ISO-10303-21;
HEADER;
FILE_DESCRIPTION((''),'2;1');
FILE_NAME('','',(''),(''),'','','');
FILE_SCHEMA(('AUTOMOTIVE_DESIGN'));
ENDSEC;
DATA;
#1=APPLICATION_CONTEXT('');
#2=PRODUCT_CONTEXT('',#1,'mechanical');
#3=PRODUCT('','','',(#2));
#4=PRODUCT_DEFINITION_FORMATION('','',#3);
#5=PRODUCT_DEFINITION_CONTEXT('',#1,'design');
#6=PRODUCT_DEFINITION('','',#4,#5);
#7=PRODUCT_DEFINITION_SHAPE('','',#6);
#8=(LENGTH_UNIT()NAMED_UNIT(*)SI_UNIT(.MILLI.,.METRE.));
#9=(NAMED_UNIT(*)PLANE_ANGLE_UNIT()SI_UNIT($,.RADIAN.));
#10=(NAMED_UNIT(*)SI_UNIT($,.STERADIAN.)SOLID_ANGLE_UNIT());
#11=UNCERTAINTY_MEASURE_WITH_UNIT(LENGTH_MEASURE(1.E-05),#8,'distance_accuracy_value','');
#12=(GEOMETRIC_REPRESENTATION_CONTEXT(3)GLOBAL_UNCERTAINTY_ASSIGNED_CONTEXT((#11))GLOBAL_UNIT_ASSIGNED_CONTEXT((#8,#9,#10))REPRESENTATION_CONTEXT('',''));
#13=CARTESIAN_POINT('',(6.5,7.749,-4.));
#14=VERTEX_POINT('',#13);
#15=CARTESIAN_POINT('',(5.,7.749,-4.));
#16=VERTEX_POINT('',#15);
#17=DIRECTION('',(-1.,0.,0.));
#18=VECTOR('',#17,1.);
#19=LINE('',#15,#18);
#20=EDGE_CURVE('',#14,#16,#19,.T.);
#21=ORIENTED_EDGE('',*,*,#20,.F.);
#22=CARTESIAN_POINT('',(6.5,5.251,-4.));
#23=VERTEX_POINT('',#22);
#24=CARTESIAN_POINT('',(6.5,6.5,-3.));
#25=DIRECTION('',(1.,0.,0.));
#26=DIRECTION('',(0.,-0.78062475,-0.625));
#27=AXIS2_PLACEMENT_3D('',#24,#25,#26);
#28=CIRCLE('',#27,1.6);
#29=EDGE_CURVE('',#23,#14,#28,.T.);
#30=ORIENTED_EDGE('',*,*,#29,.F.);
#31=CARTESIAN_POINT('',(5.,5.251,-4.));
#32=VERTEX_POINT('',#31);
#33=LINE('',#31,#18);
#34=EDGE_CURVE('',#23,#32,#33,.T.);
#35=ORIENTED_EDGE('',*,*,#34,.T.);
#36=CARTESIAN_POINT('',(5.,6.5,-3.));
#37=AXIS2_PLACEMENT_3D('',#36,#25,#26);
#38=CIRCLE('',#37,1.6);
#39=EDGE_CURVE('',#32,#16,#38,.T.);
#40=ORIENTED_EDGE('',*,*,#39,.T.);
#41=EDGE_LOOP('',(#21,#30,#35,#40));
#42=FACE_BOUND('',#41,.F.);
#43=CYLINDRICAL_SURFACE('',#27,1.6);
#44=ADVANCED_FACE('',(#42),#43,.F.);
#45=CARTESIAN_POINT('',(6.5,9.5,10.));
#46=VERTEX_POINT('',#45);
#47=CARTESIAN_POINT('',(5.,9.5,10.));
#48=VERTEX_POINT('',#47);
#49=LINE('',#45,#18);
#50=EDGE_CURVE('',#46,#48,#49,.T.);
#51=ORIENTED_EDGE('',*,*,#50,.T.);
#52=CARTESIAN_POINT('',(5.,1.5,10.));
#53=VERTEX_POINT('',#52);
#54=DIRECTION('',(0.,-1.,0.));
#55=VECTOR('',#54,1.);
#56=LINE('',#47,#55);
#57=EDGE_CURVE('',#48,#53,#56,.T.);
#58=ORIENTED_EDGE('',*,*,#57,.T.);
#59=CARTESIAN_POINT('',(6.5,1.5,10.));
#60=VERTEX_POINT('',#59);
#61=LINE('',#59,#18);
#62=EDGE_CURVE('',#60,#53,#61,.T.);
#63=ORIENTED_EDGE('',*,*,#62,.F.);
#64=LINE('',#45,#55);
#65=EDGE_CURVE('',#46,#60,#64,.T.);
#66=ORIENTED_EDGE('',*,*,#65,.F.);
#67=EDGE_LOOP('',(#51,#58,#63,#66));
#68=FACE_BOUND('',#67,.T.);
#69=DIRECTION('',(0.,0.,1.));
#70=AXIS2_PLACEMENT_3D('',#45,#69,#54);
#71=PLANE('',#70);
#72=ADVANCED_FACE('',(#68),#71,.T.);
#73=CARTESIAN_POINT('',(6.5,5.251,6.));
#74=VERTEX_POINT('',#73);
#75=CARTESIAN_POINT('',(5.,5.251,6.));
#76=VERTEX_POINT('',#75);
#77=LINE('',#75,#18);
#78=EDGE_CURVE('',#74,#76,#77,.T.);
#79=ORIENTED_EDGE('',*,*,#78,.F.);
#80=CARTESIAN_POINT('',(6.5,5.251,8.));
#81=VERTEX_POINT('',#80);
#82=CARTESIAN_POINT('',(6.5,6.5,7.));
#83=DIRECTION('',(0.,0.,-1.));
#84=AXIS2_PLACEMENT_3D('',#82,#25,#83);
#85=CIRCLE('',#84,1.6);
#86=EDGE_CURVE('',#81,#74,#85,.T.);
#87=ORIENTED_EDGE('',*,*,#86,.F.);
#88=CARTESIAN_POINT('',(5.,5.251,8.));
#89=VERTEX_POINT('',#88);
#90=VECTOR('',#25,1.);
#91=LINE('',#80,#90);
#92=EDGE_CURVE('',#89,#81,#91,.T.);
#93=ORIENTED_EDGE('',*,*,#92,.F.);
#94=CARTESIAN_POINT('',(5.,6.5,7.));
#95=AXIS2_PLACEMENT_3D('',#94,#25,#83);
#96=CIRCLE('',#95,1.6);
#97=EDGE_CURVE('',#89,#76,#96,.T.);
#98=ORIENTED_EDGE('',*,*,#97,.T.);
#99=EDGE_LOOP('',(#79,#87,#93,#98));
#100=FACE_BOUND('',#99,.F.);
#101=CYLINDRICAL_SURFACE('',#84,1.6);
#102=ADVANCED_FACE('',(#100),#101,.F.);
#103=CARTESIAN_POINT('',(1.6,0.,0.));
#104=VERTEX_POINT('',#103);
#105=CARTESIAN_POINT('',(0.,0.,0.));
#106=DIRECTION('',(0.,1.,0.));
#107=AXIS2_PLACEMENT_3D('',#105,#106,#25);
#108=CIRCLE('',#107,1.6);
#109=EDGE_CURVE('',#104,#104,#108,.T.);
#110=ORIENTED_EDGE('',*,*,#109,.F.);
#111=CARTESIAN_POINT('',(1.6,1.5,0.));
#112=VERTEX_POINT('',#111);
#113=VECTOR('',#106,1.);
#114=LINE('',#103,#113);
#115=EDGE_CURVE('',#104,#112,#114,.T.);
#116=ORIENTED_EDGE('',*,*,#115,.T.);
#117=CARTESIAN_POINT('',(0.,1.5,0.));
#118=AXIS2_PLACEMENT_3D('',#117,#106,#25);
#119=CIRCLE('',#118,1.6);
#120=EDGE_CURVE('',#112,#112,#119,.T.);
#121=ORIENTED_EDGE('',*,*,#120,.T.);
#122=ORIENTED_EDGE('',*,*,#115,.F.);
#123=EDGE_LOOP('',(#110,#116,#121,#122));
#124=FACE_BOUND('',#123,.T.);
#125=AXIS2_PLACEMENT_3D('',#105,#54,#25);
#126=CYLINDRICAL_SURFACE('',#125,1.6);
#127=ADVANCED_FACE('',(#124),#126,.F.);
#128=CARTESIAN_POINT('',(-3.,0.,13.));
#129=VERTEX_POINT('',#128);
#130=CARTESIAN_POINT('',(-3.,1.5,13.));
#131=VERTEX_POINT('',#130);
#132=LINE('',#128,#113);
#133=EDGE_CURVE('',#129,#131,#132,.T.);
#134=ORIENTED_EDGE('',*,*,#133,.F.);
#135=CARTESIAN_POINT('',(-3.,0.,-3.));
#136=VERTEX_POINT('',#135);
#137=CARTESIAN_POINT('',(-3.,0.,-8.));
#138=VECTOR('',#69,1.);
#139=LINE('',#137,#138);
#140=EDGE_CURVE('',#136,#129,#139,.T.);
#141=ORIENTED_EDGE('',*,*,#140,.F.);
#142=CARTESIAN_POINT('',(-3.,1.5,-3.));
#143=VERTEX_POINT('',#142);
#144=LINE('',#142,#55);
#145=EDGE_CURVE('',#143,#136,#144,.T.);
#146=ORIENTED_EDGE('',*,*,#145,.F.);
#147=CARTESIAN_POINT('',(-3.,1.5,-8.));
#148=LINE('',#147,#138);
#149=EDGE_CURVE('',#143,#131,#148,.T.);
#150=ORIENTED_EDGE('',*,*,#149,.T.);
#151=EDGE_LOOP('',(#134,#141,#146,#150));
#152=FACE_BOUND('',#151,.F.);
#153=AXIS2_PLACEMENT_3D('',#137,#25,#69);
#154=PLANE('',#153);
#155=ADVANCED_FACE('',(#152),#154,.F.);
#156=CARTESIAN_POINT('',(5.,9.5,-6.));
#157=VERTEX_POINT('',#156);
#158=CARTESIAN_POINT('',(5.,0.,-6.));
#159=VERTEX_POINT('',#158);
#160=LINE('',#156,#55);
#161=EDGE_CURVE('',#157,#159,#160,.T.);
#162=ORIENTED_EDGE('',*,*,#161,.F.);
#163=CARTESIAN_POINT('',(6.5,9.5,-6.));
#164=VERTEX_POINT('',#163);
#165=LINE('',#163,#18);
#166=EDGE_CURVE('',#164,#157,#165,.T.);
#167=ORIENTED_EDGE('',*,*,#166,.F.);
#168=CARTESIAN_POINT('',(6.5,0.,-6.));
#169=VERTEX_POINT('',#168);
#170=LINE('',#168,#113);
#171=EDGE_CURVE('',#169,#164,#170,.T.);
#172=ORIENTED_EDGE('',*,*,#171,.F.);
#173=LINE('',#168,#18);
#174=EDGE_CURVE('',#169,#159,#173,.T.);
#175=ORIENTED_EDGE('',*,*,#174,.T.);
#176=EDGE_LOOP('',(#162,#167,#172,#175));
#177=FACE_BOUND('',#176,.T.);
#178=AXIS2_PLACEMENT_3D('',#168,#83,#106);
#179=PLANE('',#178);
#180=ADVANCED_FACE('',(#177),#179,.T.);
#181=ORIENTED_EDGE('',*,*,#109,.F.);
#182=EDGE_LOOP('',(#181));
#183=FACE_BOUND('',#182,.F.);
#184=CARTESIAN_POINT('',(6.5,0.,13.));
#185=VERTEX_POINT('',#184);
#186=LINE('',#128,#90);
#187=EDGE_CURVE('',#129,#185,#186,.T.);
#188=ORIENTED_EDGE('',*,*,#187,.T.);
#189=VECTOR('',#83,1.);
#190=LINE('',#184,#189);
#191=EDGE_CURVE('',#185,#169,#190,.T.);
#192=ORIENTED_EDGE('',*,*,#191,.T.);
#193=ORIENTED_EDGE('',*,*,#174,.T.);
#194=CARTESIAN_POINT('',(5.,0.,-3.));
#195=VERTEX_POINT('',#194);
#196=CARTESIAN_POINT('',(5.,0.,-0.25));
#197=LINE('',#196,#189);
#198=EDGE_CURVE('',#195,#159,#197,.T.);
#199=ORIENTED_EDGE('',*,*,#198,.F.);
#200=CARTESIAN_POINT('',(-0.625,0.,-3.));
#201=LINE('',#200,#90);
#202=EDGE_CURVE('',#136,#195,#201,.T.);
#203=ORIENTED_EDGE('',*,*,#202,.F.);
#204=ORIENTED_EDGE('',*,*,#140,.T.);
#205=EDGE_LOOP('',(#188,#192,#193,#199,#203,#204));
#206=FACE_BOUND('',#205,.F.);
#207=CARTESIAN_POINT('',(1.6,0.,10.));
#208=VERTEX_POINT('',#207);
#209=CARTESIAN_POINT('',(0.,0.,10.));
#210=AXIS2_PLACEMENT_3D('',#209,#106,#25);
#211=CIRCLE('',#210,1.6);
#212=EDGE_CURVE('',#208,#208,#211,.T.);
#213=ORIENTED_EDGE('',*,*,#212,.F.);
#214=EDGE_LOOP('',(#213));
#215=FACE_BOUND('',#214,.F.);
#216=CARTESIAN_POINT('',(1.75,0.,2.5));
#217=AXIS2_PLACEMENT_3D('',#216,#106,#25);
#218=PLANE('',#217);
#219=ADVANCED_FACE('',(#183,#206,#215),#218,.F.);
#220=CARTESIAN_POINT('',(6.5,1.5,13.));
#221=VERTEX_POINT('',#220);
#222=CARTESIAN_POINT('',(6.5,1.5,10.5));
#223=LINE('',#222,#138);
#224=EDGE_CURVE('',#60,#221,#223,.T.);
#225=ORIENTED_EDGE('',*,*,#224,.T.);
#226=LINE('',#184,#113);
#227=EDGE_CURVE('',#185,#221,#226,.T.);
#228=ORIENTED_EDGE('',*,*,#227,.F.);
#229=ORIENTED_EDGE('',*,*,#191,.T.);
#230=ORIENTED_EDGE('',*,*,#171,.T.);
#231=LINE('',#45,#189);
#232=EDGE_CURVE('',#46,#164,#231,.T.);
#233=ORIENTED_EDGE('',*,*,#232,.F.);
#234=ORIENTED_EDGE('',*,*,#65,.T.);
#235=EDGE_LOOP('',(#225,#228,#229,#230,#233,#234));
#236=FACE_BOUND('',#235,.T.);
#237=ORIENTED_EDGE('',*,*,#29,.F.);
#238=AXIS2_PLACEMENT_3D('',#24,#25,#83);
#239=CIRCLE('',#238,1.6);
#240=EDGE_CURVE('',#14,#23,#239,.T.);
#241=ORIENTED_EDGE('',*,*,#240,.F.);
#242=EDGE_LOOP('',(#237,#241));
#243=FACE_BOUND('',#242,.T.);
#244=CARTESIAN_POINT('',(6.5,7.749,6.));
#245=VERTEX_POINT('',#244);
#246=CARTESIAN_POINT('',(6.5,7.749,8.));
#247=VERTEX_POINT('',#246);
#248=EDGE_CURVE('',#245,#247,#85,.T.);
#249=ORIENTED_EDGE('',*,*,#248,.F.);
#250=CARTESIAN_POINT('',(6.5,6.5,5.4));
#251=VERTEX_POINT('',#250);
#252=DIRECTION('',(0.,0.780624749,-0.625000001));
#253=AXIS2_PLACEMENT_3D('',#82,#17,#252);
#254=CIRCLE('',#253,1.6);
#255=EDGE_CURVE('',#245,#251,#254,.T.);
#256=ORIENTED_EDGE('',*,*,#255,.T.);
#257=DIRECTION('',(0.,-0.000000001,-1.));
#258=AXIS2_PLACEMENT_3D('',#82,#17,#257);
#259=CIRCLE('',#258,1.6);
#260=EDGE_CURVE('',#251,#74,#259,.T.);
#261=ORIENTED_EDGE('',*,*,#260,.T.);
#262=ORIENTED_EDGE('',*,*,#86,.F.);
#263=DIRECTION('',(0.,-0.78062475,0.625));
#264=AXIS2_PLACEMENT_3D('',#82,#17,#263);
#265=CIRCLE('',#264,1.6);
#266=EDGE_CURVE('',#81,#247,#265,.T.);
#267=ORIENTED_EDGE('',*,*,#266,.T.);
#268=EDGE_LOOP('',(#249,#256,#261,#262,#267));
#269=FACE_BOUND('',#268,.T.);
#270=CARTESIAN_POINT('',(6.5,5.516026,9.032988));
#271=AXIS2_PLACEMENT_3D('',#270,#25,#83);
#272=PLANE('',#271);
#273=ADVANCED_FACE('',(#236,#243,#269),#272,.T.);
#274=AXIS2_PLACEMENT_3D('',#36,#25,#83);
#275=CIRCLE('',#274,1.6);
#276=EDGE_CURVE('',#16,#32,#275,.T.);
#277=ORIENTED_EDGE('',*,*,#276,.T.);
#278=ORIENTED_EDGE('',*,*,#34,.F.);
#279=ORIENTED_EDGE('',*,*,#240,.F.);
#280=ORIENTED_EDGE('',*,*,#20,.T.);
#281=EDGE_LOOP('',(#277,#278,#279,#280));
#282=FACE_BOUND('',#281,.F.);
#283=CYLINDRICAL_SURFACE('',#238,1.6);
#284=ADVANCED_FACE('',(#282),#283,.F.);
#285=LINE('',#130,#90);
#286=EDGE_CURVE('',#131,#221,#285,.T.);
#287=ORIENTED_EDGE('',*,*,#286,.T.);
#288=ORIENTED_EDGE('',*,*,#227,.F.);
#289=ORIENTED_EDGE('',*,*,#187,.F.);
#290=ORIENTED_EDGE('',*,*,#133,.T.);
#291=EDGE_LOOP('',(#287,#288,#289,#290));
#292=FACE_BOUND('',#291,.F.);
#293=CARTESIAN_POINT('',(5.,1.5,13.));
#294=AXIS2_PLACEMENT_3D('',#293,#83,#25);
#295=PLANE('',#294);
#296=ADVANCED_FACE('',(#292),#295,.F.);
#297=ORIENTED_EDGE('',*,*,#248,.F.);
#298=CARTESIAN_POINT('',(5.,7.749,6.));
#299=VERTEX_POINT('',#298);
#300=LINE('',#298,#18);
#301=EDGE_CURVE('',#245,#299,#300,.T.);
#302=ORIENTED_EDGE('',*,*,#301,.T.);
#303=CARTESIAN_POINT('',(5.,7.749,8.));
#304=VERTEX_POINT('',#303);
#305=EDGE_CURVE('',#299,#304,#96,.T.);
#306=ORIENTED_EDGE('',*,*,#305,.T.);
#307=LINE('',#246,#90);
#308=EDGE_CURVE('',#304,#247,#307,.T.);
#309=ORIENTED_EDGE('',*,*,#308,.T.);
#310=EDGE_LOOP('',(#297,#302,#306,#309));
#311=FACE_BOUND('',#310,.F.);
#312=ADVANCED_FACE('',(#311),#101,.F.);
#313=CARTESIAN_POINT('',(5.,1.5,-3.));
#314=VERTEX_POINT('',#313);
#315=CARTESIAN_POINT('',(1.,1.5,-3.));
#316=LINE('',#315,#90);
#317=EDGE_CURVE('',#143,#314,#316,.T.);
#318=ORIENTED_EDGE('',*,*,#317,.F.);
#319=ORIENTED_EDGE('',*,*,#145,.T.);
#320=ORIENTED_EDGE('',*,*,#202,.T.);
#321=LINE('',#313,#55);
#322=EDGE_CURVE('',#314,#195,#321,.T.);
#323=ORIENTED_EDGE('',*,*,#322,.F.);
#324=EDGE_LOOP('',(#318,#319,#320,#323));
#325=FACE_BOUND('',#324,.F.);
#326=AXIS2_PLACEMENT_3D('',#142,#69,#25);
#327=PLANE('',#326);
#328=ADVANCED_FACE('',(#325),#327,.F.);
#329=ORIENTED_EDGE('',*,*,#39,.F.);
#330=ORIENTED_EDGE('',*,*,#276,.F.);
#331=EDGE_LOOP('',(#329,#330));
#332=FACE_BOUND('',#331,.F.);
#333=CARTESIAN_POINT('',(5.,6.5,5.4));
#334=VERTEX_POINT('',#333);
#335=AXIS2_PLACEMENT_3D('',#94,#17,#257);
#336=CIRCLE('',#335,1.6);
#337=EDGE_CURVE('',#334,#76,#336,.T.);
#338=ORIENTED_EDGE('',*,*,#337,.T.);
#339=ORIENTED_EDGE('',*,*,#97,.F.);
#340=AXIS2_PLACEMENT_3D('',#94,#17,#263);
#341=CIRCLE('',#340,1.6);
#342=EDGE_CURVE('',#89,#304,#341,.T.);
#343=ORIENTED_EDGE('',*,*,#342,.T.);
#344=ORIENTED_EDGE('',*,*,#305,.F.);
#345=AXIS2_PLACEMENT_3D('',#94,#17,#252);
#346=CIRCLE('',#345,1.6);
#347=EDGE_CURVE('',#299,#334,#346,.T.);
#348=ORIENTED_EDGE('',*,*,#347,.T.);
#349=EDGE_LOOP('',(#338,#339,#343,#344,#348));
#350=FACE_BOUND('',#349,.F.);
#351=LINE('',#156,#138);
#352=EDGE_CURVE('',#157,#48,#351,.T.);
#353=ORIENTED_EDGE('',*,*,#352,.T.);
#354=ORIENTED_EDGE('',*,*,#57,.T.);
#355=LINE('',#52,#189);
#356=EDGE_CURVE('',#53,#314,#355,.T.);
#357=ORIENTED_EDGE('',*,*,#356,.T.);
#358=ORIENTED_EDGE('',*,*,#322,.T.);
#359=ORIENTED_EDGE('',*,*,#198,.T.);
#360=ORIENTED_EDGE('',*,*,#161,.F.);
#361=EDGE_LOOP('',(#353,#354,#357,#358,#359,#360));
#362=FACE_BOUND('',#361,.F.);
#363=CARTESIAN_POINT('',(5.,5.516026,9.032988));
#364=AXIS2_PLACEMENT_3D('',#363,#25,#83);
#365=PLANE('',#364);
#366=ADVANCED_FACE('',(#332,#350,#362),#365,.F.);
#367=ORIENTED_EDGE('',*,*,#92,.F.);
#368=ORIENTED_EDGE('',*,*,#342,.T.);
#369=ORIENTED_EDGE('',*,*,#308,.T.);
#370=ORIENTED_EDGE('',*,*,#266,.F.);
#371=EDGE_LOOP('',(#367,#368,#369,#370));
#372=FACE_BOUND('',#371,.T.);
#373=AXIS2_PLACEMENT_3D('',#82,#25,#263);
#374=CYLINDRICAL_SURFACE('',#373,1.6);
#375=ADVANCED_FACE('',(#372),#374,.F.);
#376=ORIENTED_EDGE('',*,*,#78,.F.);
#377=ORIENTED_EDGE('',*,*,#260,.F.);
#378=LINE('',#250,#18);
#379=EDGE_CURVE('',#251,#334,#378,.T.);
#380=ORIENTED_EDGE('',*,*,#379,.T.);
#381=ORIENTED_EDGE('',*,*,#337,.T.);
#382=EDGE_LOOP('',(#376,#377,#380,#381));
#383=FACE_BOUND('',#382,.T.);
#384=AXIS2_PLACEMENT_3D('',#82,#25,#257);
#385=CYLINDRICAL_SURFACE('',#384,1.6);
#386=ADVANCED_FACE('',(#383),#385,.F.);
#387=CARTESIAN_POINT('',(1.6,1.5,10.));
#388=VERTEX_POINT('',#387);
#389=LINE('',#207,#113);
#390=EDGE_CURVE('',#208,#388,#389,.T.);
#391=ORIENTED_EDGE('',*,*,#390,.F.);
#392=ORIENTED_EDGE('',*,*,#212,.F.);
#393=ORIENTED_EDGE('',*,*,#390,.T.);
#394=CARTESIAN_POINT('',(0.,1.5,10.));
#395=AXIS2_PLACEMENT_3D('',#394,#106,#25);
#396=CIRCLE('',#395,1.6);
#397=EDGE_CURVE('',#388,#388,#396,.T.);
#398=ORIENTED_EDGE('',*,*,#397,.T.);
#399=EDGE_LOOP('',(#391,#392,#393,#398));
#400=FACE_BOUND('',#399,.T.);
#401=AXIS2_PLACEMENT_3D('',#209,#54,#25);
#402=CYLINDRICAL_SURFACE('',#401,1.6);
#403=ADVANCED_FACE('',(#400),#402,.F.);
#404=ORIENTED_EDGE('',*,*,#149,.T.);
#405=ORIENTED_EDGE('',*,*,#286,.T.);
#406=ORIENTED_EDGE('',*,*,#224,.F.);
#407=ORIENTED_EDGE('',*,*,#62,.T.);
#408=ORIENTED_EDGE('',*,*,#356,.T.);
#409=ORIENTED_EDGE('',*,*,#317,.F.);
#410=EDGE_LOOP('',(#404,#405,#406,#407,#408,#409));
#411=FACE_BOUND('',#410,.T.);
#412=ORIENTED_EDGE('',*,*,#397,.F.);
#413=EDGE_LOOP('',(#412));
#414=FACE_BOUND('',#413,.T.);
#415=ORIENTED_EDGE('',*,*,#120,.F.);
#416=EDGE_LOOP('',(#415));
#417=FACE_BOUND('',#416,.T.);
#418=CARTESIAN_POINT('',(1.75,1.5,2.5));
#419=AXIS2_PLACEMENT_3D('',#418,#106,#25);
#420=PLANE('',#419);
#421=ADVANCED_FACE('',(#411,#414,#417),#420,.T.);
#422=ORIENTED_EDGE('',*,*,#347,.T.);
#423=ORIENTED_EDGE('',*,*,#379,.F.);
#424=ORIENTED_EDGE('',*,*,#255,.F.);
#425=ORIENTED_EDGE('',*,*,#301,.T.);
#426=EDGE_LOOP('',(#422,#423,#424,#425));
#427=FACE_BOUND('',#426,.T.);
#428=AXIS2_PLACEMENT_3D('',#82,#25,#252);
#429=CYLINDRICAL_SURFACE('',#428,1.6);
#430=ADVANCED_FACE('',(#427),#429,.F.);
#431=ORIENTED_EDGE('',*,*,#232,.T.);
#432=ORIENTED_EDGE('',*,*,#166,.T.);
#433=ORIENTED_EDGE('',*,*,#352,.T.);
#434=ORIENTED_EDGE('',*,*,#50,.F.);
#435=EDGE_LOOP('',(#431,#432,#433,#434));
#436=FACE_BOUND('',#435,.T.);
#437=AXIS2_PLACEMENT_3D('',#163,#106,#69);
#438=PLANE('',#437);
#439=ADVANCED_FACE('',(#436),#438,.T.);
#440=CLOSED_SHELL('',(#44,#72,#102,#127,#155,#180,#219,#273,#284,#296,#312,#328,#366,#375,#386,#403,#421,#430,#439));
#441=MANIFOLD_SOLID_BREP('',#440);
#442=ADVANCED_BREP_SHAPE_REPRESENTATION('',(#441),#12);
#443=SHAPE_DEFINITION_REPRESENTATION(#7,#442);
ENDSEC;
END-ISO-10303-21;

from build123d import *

# Parameters (mm, degrees)
SKETCH1_R           = 1.6
BOSS_EXTRUDE2_DEPTH = 1.5
SKETCH3_W           = 1.5
SKETCH3_H           = 21
BOSS_EXTRUDE3_DEPTH = 8
SKETCH4_R           = 1.6
CUT_EXTRUDE2_DEPTH  = 8
SKETCH6_W           = 5
SKETCH6_H           = 8
CUT_EXTRUDE3_DEPTH  = 8
SKETCH7_W           = 8
SKETCH7_H           = 5
CUT_EXTRUDE4_DEPTH  = 8
SKETCH8_R           = 1.6
SKETCH8_W           = 2
SKETCH8_H           = 9.5
CUT_EXTRUDE5_DEPTH  = 1.5
BOSS_EXTRUDE4_DEPTH = 1.5


with BuildPart() as part:
    # Sketch1 → Boss-Extrude2 (new body)
    with BuildSketch(Plane(origin=(0, 0, 0), x_dir=(1, 0, 0), z_dir=(0, 1, 0))):
        Polygon((-3, 8), (-3, -13), (0, -13), (6.5, -13), (6.5, 0), (6.5, 8), (0, 8), align=None)
        Circle(SKETCH1_R, mode=Mode.SUBTRACT)
        with Locations((0, -10)):
            Circle(SKETCH1_R, mode=Mode.SUBTRACT)
    extrude(amount=BOSS_EXTRUDE2_DEPTH)

    # Sketch3 → Boss-Extrude3 (add)
    with BuildSketch(Plane(origin=(0, 1.5, 0), x_dir=(1, 0, 0), z_dir=(0, 1, 0))):
        with Locations((5.75, -2.5)):
            Rectangle(SKETCH3_W, SKETCH3_H)
    extrude(amount=BOSS_EXTRUDE3_DEPTH)

    # Sketch4 → Cut-Extrude2 (cut)
    with BuildSketch(Plane.ZY.offset(-5)):
        with Locations((-5, 6.5)):
            Circle(SKETCH4_R)
        with Locations((5, 6.5)):
            Circle(SKETCH4_R)
    extrude(amount=-CUT_EXTRUDE2_DEPTH, mode=Mode.SUBTRACT)

    # Sketch6 → Cut-Extrude3 (cut)
    with BuildSketch(Plane.ZY.offset(-5)):
        with Locations((10.5, 5.5)):
            Rectangle(SKETCH6_W, SKETCH6_H)
    extrude(amount=-CUT_EXTRUDE3_DEPTH, mode=Mode.SUBTRACT)

    # Sketch7 → Cut-Extrude4 (cut)
    with BuildSketch(Plane(origin=(0, 1.5, 0), x_dir=(1, 0, 0), z_dir=(0, 1, 0))):
        with Locations((1, 5.5)):
            Rectangle(SKETCH7_W, SKETCH7_H)
    extrude(amount=-CUT_EXTRUDE4_DEPTH, mode=Mode.SUBTRACT)

    # Sketch8 → Cut-Extrude5 (cut)
    with BuildSketch(Plane(origin=(6.5, 0, 0), x_dir=(0, 0, -1), z_dir=(1, 0, 0))):
        with Locations((-7, 6.5)):
            Circle(SKETCH8_R)
        with Locations((3, 6.5)):
            Circle(SKETCH8_R)
        with Locations((7, 4.75)):
            Rectangle(SKETCH8_W, SKETCH8_H)
    extrude(amount=-CUT_EXTRUDE5_DEPTH, mode=Mode.SUBTRACT)

    # Sketch9 → Boss-Extrude4 (add)
    with BuildSketch(Plane(origin=(6.5, 0, 0), x_dir=(0, 0, -1), z_dir=(1, 0, 0))):
        with BuildLine():
            Line((-8, 7.7489996), (-8, 9.5))
            Line((-8, 9.5), (-10, 9.5))
            Line((-10, 9.5), (-10, 1.5))
            Line((-10, 1.5), (-8, 1.5))
            Line((-8, 1.5), (-8, 5.2510004))
            ThreePointArc((-8, 5.2510004), (-8.6, 6.5), (-8, 7.7489996))
        make_face()
        with BuildLine():
            ThreePointArc((-6, 5.2510004), (-3.4, 6.5), (-6, 7.7489996))
            ThreePointArc((-6, 7.7489996), (-5.55777949, 7.192820323), (-5.4, 6.5))
            ThreePointArc((-5.4, 6.5), (-5.55777949, 5.807179677), (-6, 5.2510004))
        make_face()
        with BuildLine():
            ThreePointArc((4, 5.2510004), (4.6, 6.5), (4, 7.7489996))
            ThreePointArc((4, 7.7489996), (5, 8.1), (6, 7.7489996))
            Line((6, 7.7489996), (6, 5.2510004))
            ThreePointArc((6, 5.2510004), (5, 4.9), (4, 5.2510004))
        make_face()
        with BuildLine():
            Line((6, 0), (6, 5.2510004))
            ThreePointArc((6, 5.2510004), (5, 4.9), (4, 5.2510004))
            ThreePointArc((4, 5.2510004), (1.4, 6.5), (4, 7.7489996))
            ThreePointArc((4, 7.7489996), (5, 8.1), (6, 7.7489996))
            Line((6, 7.7489996), (6, 9.5))
            Line((6, 9.5), (-8, 9.5))
            Line((-8, 9.5), (-8, 7.7489996))
            ThreePointArc((-8, 7.7489996), (-7, 8.1), (-6, 7.7489996))
            ThreePointArc((-6, 7.7489996), (-3.4, 6.5), (-6, 5.2510004))
            ThreePointArc((-6, 5.2510004), (-7, 4.9), (-8, 5.2510004))
            Line((-8, 5.2510004), (-8, 1.5))
            Line((-8, 1.5), (-13, 1.5))
            Line((-13, 1.5), (-13, 0))
            Line((-13, 0), (6, 0))
        make_face()
    extrude(amount=-BOSS_EXTRUDE4_DEPTH)


solid = part.part
